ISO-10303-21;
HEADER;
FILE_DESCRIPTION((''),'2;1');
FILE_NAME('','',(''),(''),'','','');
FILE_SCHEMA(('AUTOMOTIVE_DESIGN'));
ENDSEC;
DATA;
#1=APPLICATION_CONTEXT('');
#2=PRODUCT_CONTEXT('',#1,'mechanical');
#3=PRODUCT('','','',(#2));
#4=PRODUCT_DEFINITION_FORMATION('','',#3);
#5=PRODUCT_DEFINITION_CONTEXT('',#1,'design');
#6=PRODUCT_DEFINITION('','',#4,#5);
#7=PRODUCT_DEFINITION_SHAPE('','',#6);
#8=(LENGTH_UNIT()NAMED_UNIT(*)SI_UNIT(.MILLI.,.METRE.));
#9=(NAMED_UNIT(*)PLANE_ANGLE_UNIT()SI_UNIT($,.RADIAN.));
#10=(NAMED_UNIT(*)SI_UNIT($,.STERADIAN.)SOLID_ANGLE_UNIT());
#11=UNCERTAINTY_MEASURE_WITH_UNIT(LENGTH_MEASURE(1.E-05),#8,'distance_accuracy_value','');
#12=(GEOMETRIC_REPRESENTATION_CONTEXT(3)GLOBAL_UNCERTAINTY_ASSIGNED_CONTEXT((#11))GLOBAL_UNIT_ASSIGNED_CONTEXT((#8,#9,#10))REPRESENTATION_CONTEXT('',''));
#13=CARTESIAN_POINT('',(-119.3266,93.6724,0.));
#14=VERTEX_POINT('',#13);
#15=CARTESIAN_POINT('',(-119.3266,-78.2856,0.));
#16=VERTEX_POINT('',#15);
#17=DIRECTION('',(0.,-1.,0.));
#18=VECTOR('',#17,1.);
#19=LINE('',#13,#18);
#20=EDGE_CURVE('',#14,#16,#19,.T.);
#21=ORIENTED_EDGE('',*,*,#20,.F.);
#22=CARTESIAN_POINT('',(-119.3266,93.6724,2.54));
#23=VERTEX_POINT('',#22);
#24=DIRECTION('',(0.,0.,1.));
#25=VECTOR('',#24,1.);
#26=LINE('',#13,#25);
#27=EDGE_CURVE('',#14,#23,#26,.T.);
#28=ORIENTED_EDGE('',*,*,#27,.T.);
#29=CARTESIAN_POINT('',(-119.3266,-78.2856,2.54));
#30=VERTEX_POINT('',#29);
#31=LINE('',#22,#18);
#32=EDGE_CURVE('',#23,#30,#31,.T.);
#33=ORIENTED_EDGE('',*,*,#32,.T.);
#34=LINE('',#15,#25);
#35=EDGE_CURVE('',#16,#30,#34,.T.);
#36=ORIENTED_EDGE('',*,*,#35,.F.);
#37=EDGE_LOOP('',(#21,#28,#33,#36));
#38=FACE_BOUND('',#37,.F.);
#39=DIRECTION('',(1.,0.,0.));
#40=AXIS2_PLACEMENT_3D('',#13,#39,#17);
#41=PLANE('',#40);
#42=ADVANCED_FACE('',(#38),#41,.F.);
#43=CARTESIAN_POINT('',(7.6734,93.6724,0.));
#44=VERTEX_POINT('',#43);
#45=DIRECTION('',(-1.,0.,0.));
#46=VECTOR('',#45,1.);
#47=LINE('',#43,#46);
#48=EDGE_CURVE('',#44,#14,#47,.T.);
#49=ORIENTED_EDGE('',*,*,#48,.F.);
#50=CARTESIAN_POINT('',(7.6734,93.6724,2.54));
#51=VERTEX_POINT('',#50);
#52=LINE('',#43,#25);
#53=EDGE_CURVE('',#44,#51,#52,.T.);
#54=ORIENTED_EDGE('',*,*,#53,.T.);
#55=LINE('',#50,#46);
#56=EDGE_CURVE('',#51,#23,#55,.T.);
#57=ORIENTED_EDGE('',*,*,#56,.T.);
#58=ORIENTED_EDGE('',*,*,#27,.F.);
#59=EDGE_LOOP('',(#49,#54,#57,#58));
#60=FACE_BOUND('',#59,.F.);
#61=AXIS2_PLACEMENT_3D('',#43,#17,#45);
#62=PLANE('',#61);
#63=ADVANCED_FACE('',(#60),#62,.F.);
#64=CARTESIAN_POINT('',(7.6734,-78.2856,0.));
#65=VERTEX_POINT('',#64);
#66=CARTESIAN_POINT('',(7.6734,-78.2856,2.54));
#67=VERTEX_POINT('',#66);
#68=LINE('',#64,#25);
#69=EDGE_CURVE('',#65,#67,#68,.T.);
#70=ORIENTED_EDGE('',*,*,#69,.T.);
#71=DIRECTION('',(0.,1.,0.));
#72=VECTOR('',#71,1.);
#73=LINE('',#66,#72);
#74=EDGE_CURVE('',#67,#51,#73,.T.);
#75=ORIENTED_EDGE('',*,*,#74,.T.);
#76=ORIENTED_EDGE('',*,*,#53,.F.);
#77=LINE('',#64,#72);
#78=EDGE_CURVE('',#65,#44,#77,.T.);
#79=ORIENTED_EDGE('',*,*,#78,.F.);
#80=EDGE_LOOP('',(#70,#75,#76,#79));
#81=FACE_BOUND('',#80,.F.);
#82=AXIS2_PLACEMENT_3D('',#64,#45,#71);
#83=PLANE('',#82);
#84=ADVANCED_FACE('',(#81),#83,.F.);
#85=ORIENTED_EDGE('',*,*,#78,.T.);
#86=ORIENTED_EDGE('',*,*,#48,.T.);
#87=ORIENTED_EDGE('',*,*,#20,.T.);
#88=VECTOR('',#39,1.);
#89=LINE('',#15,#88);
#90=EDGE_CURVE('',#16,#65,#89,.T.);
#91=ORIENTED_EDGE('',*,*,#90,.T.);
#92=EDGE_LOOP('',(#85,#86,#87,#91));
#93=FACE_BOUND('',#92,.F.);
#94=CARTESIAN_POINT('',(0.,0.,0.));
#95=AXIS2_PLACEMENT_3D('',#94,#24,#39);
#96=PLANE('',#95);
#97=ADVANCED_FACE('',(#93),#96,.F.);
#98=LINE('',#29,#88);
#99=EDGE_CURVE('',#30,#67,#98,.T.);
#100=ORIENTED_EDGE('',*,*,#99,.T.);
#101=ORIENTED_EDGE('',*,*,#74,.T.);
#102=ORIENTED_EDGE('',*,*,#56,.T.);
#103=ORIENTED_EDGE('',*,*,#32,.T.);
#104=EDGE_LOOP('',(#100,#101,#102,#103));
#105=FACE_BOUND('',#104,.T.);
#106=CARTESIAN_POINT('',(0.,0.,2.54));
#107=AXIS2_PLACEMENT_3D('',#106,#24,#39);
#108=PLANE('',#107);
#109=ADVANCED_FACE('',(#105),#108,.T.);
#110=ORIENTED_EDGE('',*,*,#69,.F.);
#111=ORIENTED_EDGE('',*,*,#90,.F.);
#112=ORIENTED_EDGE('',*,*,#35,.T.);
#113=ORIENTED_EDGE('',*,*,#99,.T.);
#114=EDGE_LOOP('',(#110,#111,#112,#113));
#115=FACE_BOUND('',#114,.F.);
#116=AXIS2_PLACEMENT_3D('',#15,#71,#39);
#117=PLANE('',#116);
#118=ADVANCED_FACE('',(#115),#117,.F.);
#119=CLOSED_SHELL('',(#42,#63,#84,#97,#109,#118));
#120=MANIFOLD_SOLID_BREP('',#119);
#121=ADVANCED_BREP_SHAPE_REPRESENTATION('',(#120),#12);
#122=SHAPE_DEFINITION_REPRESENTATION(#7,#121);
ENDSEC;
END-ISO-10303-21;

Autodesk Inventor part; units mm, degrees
ref_plane "YZ Plane" through (0, 0, 0) normal (1, 0, 0) x (0, 1, 0)
ref_plane "XZ Plane" through (0, 0, 0) normal (0, 1, 0) x (-1, 0, 0)
ref_plane "XY Plane" through (0, 0, 0) normal (0, 0, 1) x (1, 0, 0)
sketch "Sketch1" plane through (0, 0, 0) normal (0, 0, 1) x (1, 0, 0)
  line L0 (7.6734, 93.6724) -> (-119.3266, 93.6724)
  line L1 (-119.3266, 93.6724) -> (-119.3266, -78.2856)
  line L2 (-119.3266, -78.2856) -> (7.6734, -78.2856)
  line L3 (7.6734, -78.2856) -> (7.6734, 93.6724)
  circle A0 centre (-4.417, -116.6396) radius 1.5875 projected
  circle A1 centre (-4.417, -166.9316) radius 1.5875 projected
  circle A2 centre (-106.6266, -166.9316) radius 1.5875 projected
  circle A3 centre (-106.6266, -116.6396) radius 1.5875 projected
  arc A4 (-154.2516, -90.9856) -> (-163.7766, -100.5106) centre (-154.2516, -100.5106) ccw projected
  line L4 (-163.7766, -180.5206) -> (-163.7766, -100.5106) projected
  arc A5 (-163.7766, -180.5206) -> (-154.2516, -190.0456) centre (-154.2516, -180.5206) ccw projected
  line L5 (42.5984, -190.0456) -> (-154.2516, -190.0456) projected
  arc A6 (42.5984, -190.0456) -> (52.1234, -180.5206) centre (42.5984, -180.5206) ccw projected
  line L6 (52.1234, -100.5106) -> (52.1234, -180.5206) projected
  arc A7 (52.1234, -100.5106) -> (42.5984, -90.9856) centre (42.5984, -100.5106) ccw projected
  line L7 (-154.2516, -90.9856) -> (42.5984, -90.9856) projected
  line L8 (7.6734, 106.3724) -> (7.6734, -198.4276) projected
  line L9 (-119.3266, 106.3724) -> (-119.3266, -198.4276) projected
  line L10 (-93.9266, 106.3724) -> (-119.3266, 106.3724) projected
  point P0 (0, 0)
  dimension "d1" = 12.7
  dimension "d4" = 12.7
extrude "Extrusion1" add sketch "Sketch1" along normal blind 2.54 contours L3 L2 L1 L0
properties part number "MainPCB" material "Silicon Nitride"
